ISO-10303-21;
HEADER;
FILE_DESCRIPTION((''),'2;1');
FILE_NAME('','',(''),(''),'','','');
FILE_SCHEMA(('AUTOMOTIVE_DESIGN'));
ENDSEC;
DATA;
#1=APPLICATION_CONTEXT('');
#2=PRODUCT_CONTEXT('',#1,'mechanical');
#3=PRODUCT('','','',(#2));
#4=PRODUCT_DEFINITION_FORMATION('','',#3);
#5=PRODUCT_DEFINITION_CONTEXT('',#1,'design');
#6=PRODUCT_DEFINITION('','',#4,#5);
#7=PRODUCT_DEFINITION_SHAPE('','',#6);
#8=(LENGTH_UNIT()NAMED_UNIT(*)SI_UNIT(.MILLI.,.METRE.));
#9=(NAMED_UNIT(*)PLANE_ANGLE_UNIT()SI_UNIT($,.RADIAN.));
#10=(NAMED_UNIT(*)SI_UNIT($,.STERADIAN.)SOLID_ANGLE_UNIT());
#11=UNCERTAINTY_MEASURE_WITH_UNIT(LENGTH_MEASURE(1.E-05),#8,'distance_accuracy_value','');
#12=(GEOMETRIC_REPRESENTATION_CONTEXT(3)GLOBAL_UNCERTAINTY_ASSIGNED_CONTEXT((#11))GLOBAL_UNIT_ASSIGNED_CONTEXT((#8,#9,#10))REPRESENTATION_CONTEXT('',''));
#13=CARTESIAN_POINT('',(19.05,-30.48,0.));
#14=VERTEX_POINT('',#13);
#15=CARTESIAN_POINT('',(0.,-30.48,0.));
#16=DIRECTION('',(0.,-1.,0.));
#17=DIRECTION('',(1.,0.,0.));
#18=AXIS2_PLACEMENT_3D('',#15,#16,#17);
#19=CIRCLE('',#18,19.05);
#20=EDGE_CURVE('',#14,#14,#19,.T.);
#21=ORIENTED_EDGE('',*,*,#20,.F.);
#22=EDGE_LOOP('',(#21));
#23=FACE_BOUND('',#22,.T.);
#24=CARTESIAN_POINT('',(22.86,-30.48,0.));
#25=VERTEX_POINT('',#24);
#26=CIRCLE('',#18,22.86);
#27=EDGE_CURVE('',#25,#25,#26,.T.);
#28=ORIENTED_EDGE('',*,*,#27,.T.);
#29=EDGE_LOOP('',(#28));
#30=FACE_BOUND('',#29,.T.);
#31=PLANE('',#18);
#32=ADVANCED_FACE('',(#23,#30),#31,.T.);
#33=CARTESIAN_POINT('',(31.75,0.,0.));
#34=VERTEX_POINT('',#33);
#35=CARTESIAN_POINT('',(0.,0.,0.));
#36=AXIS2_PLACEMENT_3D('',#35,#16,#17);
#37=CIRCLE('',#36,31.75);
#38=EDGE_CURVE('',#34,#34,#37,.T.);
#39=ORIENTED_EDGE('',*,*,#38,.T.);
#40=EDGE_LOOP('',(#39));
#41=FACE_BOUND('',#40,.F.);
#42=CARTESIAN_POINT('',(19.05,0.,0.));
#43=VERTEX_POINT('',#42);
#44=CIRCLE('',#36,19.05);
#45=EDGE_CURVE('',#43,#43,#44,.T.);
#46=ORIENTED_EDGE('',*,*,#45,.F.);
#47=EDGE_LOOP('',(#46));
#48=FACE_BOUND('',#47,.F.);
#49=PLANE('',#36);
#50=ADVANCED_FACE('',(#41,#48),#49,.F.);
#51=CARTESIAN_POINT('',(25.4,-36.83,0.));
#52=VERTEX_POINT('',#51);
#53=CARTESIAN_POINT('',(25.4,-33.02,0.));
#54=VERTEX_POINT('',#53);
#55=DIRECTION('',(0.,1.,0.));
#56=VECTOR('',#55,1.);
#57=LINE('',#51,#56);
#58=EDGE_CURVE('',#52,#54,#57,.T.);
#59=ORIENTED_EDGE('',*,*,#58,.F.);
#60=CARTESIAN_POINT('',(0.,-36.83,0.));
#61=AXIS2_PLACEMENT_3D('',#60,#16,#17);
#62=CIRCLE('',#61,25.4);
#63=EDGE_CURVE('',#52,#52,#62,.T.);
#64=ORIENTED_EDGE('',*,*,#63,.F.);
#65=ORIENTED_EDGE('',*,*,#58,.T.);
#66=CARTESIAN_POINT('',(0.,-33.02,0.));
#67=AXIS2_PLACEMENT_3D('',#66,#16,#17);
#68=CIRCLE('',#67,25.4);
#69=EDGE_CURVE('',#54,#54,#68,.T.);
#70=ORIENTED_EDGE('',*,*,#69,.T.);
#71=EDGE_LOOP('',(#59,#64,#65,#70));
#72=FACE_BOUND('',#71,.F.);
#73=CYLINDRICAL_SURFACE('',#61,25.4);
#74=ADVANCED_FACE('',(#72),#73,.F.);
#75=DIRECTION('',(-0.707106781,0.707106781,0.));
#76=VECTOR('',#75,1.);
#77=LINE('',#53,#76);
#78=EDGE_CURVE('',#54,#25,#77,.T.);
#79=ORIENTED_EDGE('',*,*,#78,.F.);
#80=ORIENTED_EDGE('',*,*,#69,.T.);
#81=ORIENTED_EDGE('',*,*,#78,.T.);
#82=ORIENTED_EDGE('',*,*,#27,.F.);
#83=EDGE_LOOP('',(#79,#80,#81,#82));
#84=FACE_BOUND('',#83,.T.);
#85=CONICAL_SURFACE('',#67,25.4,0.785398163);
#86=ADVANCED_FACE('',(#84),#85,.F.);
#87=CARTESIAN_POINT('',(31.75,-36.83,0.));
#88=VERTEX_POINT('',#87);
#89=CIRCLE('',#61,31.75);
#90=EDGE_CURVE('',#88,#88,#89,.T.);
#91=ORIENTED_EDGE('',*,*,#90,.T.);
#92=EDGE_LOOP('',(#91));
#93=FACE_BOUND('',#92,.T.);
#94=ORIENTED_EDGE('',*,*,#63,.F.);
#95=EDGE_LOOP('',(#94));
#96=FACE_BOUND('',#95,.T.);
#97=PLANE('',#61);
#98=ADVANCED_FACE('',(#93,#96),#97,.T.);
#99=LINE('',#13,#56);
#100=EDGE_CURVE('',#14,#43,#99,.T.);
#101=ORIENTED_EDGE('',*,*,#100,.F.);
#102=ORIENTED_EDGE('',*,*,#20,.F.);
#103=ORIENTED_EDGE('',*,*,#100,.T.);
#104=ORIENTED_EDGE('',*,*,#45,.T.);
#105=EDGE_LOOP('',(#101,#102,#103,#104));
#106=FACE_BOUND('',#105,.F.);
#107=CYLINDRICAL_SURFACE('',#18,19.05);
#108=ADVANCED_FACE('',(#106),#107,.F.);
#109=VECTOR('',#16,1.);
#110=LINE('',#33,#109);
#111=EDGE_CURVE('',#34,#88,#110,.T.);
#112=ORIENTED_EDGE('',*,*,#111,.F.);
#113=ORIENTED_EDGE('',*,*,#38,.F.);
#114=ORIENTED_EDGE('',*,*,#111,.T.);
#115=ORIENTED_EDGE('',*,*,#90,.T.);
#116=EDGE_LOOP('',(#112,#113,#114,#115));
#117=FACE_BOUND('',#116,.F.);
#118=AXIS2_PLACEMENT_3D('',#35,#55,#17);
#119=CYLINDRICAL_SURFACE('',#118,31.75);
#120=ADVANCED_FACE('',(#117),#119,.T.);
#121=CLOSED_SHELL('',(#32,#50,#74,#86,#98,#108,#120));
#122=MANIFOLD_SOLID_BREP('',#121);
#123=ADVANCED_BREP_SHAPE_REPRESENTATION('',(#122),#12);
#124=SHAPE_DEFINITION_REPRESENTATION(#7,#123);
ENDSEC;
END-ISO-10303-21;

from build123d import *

# Parameters (mm, degrees)
F0_R     = 31.75
F1_DEPTH = 36.83
F2_R     = 25.4
F3_DEPTH = 6.35
F4_SIZE  = 2.54
F5_R     = 19.05
F6_DEPTH = 30.481


with BuildPart() as f1:
    # F0 (on Front) → F1 (new body)
    with BuildSketch(Plane.XZ):
        Circle(F0_R)
    extrude(amount=F1_DEPTH)

    # F2 (on face) → F3 (cut)
    with BuildSketch(Plane.XZ.offset(36.83)):
        Circle(F2_R)
    extrude(amount=-F3_DEPTH, mode=Mode.SUBTRACT)

    # F4
    f4_edges = [f1.edges().sort_by_distance(p)[0] for p in [
        (-25.4, -30.48, 0),
    ]]
    chamfer(f4_edges, length=F4_SIZE)

    # F5 (on face) → F6 (cut, through all)
    with BuildSketch(Plane.XZ.offset(30.48)):
        Circle(F5_R)
    extrude(amount=-F6_DEPTH, mode=Mode.SUBTRACT)


solid = f1.part
